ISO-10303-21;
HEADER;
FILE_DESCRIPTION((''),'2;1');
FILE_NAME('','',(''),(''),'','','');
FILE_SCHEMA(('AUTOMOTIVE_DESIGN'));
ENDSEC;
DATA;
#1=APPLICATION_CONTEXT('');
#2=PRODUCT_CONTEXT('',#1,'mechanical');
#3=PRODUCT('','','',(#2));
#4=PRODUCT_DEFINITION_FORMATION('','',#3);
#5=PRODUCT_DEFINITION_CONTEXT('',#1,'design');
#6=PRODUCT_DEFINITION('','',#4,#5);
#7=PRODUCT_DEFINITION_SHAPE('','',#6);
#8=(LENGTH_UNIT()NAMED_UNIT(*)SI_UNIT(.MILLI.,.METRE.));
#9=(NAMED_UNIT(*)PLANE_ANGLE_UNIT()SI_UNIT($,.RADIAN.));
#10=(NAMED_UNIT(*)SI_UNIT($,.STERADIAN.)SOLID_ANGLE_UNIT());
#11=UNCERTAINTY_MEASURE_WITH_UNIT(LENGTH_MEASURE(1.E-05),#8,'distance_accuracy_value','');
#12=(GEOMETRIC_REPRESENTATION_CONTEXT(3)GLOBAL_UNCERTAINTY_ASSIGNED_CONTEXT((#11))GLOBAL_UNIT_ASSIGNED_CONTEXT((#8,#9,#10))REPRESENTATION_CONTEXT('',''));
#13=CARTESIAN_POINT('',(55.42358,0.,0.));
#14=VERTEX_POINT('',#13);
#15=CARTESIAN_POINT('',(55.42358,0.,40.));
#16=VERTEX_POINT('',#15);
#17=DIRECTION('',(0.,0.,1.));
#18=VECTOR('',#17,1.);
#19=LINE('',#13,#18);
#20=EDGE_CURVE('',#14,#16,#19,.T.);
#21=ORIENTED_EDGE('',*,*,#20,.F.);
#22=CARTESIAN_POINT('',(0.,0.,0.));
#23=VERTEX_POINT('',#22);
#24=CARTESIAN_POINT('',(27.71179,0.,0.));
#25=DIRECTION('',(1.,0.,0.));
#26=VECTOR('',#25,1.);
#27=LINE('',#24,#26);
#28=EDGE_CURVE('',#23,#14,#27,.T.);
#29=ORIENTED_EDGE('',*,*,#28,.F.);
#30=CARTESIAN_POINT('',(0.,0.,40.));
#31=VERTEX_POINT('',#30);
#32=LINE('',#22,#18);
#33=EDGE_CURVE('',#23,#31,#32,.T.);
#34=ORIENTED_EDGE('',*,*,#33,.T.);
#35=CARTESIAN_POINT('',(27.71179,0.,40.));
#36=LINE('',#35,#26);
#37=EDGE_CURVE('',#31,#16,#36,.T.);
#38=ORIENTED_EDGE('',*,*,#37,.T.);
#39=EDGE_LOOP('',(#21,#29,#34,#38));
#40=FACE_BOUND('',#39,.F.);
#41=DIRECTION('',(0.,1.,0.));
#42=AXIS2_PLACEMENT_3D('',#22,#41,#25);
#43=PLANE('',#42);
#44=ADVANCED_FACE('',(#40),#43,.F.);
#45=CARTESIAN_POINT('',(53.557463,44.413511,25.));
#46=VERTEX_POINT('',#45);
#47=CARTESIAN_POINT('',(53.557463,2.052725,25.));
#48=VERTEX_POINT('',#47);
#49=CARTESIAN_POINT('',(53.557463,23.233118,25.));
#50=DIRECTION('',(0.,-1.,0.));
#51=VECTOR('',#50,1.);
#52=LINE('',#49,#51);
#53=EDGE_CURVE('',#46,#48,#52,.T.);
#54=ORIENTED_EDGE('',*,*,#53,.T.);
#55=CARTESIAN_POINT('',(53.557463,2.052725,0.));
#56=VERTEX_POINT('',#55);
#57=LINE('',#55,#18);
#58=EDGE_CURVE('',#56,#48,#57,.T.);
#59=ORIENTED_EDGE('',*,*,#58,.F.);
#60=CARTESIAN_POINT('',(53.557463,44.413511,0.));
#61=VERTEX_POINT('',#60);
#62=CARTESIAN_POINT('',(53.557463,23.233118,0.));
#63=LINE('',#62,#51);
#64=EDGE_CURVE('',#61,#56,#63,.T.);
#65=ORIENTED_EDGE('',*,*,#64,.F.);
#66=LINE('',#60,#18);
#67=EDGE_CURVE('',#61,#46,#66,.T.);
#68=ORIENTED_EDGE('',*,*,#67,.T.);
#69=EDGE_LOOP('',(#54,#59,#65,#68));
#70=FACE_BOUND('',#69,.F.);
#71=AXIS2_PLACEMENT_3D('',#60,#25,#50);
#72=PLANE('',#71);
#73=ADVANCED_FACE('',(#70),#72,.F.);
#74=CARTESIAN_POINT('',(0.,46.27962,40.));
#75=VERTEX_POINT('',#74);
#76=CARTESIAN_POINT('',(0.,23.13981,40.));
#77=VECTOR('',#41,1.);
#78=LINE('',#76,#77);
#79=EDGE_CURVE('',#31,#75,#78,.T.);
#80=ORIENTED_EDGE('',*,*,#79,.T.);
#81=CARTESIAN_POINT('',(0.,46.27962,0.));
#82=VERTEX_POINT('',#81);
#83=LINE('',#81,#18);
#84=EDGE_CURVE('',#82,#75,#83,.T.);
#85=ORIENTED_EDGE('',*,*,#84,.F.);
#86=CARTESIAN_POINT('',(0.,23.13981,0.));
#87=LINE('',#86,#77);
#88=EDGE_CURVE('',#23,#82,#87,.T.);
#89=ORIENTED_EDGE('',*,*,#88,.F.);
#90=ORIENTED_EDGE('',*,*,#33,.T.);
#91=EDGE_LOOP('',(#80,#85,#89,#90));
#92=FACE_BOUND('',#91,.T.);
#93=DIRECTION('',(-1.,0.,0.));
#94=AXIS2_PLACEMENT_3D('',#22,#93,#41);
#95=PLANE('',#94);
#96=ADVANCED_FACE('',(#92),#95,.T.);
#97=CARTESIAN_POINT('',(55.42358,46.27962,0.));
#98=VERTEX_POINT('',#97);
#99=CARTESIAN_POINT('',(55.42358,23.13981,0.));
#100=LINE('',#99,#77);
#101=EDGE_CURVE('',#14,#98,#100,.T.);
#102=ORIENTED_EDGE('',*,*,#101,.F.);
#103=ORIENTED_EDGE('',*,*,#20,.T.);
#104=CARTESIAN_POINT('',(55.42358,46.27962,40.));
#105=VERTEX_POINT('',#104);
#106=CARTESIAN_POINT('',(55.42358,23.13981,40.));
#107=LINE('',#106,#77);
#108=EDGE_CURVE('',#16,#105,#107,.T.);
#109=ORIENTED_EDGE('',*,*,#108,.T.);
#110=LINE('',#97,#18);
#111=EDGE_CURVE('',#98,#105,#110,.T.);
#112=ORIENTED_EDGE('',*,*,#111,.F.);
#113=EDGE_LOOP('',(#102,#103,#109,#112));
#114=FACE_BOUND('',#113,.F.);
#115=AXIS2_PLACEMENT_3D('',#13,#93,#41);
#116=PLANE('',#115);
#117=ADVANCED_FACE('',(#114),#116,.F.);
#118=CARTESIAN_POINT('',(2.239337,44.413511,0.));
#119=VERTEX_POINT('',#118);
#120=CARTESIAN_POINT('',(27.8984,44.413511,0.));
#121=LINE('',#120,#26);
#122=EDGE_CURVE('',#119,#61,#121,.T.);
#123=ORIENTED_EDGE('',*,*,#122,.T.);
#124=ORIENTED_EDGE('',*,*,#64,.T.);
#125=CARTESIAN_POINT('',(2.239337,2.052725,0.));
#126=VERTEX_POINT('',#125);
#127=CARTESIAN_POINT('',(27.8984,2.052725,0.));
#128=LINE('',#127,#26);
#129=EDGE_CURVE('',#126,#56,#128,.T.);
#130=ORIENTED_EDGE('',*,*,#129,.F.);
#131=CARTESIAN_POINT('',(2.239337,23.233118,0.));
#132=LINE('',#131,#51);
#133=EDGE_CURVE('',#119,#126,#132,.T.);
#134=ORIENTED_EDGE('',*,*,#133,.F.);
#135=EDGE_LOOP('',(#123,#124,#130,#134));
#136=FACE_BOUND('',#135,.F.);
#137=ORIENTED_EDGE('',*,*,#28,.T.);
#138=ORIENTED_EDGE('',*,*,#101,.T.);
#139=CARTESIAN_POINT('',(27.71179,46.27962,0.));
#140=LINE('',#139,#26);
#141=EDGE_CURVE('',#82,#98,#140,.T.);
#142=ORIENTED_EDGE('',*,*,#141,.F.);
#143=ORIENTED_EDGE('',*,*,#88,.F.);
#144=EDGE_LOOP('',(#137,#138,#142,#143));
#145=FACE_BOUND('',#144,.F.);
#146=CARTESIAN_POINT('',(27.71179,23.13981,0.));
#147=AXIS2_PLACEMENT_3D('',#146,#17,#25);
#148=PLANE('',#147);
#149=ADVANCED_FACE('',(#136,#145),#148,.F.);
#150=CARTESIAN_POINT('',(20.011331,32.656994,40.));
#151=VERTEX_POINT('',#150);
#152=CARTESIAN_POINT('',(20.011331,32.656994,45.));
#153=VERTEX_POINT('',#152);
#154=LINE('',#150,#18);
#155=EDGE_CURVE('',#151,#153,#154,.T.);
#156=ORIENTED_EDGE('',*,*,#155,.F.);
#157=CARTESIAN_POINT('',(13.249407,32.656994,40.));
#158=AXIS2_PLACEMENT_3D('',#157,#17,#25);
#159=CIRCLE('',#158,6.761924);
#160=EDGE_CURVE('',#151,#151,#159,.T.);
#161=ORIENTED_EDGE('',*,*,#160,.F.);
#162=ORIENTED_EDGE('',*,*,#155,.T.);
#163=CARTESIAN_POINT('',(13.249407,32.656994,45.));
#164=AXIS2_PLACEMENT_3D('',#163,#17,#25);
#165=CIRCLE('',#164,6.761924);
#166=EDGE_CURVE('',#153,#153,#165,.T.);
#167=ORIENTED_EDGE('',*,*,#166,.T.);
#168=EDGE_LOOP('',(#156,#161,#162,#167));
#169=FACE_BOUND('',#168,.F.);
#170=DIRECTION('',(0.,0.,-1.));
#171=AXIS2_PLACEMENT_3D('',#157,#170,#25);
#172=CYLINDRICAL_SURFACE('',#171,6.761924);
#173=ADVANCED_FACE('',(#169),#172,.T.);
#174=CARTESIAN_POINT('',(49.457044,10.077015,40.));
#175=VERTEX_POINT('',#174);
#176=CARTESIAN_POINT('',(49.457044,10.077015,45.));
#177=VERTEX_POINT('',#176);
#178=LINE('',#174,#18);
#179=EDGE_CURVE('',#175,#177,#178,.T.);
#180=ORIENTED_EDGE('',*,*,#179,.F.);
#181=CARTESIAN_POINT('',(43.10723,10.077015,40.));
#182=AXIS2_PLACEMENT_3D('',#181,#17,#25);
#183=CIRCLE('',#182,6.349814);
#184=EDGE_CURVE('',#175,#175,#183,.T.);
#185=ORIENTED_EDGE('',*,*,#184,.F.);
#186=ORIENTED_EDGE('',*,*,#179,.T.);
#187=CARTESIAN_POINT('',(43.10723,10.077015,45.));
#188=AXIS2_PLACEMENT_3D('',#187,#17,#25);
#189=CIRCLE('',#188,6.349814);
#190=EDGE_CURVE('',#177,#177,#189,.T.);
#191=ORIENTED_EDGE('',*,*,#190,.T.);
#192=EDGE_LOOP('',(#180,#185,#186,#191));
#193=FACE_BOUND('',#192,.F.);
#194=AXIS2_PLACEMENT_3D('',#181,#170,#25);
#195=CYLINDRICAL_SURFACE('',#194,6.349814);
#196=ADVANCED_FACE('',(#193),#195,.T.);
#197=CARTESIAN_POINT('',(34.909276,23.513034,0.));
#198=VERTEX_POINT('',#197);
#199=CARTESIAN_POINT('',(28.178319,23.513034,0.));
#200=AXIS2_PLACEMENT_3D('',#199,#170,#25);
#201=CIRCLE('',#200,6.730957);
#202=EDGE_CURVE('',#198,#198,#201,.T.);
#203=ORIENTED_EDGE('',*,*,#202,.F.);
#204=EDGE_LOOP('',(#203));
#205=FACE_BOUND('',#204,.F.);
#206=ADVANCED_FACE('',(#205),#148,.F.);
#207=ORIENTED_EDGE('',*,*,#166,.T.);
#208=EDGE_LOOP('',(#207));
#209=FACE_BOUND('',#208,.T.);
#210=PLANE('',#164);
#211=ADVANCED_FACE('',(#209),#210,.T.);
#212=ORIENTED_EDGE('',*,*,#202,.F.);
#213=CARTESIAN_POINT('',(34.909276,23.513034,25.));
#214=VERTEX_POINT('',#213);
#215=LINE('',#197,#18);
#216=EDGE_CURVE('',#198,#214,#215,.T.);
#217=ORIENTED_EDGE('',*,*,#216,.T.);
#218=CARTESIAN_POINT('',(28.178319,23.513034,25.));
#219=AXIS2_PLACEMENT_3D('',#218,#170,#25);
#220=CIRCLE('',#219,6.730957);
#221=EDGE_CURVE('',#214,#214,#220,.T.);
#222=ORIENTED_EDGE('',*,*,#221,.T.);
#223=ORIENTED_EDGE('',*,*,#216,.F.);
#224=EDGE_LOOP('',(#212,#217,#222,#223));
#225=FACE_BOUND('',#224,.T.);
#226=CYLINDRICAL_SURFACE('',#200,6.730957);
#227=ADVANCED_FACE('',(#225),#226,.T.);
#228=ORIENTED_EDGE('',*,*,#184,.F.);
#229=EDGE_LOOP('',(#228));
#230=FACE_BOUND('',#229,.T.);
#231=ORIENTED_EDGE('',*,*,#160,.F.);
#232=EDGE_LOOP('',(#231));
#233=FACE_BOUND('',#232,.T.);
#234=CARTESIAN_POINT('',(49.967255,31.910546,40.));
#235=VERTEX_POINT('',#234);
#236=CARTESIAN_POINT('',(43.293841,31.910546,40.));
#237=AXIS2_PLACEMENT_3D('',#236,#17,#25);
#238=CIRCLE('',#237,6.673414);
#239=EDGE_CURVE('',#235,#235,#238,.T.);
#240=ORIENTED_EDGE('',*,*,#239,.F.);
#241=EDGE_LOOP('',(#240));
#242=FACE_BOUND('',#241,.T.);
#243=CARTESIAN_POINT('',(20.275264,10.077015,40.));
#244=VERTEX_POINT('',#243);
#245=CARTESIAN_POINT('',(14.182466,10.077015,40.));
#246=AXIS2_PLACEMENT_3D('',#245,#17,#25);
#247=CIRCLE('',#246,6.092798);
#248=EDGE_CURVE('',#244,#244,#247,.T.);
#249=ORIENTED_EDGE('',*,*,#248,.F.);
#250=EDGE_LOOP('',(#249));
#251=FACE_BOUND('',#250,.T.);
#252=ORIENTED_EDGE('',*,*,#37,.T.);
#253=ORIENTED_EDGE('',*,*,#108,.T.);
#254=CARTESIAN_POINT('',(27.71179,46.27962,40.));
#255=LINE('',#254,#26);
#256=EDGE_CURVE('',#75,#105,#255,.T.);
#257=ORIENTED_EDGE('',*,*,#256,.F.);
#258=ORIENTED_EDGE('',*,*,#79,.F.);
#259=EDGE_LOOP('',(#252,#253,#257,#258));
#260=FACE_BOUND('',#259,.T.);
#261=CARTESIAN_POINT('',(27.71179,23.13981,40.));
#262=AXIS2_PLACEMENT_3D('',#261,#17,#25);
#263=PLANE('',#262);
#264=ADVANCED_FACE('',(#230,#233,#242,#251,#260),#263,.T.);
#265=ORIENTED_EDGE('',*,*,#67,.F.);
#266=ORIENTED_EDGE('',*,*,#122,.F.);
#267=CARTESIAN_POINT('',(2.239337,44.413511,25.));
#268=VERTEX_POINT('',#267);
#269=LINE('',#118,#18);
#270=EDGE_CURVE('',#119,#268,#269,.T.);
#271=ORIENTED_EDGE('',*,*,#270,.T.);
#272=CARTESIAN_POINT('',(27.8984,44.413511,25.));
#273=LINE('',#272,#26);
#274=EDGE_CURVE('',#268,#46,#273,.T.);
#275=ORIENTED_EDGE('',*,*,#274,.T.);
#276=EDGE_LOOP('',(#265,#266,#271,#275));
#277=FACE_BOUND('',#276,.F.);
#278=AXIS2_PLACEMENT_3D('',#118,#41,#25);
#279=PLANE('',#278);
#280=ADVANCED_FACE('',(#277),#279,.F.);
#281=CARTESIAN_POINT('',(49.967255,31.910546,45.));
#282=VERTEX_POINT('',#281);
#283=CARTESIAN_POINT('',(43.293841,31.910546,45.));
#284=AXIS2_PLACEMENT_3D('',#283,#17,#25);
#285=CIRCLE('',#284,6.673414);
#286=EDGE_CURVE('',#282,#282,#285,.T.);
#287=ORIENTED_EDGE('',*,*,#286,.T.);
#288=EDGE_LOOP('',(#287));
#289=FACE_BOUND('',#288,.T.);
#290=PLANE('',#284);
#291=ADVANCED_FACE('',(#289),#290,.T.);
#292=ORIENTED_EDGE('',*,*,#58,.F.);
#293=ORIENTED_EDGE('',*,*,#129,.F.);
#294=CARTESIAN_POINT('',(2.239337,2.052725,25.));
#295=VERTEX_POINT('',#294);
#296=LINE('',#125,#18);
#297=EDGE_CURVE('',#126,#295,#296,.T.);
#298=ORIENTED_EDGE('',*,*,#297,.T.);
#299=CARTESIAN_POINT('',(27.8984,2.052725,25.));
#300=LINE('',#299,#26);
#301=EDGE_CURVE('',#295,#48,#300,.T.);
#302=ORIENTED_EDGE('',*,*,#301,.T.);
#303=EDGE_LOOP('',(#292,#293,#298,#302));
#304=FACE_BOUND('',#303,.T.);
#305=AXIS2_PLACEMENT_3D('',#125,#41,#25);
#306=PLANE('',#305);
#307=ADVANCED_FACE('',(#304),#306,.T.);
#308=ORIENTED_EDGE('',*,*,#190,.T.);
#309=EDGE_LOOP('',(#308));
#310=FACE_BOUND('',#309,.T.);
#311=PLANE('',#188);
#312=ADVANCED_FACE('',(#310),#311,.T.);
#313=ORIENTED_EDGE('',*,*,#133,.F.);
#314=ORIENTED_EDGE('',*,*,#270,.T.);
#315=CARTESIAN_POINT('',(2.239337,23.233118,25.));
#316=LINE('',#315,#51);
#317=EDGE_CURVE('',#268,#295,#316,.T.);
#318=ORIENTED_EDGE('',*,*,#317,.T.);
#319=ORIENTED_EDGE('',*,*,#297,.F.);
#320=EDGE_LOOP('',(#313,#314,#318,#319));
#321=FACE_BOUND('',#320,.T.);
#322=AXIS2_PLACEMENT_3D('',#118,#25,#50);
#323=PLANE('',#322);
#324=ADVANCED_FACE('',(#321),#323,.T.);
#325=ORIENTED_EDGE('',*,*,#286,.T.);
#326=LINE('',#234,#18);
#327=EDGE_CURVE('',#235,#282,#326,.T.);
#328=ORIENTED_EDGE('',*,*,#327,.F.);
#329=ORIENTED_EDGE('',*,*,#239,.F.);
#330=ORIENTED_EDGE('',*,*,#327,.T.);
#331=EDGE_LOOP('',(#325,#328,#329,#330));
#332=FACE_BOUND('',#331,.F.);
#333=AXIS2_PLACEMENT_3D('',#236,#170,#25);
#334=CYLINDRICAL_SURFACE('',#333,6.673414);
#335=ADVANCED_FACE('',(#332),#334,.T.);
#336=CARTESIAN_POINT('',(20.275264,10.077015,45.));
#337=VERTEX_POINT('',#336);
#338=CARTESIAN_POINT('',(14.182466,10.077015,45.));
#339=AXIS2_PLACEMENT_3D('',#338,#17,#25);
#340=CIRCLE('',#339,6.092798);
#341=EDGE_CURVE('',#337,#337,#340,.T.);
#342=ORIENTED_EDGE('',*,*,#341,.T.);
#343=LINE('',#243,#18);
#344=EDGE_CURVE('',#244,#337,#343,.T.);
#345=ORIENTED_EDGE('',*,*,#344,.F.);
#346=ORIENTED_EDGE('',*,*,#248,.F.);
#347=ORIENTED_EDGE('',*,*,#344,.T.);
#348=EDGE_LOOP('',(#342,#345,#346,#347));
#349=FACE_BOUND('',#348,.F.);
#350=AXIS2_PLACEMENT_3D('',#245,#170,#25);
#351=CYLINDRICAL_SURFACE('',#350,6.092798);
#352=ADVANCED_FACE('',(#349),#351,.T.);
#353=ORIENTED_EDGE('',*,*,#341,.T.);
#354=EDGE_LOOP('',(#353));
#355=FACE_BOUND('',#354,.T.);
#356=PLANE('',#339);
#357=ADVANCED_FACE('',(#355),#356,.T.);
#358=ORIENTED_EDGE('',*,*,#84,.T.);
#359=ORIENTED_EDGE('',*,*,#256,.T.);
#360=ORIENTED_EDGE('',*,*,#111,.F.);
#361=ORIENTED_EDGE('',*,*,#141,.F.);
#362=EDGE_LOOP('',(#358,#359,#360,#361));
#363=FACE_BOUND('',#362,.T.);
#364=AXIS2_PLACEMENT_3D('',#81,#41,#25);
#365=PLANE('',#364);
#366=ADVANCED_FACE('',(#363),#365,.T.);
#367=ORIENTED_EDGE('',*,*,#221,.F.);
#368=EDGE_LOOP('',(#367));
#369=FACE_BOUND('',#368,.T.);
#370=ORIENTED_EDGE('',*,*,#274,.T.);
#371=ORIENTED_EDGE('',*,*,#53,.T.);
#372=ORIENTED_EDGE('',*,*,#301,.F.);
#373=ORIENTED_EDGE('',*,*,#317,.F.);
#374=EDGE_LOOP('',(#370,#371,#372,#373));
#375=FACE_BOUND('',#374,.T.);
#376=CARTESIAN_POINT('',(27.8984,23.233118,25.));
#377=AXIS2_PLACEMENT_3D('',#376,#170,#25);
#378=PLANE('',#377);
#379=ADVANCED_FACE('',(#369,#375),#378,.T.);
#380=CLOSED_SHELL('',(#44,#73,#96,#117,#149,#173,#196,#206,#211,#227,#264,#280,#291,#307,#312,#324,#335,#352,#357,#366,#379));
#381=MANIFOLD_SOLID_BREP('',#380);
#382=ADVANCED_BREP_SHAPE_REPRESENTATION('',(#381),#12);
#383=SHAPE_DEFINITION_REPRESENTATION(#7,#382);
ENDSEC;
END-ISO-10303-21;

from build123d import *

# Parameters (mm, degrees)
F0_W     = 55.42358
F0_H     = 46.27962
F1_DEPTH = 40
F2_R     = 6.761924
F2_R_2   = 6.673414
F2_R_3   = 6.092798
F2_R_4   = 6.349814
F3_DEPTH = 5
F4_W     = 51.318126
F4_H     = 42.360786
F4_R     = 6.730957
F5_DEPTH = 25


with BuildPart() as f1:
    # F0 (on Top) → F1 (new body)
    with BuildSketch(Plane.XY):
        with Locations((27.71179, 23.13981)):
            Rectangle(F0_W, F0_H)
    extrude(amount=F1_DEPTH)

    # F2 (on face) → F3 (join)
    with BuildSketch(Plane.XY.offset(40)):
        with Locations((13.249407, 32.656994)):
            Circle(F2_R)
        with Locations((43.293841, 31.910546)):
            Circle(F2_R_2)
        with Locations((14.182466, 10.077015)):
            Circle(F2_R_3)
        with Locations((43.10723, 10.077015)):
            Circle(F2_R_4)
    extrude(amount=F3_DEPTH)

    # F4 (on face) → F5 (cut)
    with BuildSketch(Plane(origin=(0, 0, 0), x_dir=(1, 0, 0), z_dir=(0, 0, -1))):
        with Locations((27.8984, -23.233118)):
            Rectangle(F4_W, F4_H)
        with Locations((28.178319, -23.513034)):
            Circle(F4_R, mode=Mode.SUBTRACT)
    extrude(amount=-F5_DEPTH, mode=Mode.SUBTRACT)


solid = f1.part
